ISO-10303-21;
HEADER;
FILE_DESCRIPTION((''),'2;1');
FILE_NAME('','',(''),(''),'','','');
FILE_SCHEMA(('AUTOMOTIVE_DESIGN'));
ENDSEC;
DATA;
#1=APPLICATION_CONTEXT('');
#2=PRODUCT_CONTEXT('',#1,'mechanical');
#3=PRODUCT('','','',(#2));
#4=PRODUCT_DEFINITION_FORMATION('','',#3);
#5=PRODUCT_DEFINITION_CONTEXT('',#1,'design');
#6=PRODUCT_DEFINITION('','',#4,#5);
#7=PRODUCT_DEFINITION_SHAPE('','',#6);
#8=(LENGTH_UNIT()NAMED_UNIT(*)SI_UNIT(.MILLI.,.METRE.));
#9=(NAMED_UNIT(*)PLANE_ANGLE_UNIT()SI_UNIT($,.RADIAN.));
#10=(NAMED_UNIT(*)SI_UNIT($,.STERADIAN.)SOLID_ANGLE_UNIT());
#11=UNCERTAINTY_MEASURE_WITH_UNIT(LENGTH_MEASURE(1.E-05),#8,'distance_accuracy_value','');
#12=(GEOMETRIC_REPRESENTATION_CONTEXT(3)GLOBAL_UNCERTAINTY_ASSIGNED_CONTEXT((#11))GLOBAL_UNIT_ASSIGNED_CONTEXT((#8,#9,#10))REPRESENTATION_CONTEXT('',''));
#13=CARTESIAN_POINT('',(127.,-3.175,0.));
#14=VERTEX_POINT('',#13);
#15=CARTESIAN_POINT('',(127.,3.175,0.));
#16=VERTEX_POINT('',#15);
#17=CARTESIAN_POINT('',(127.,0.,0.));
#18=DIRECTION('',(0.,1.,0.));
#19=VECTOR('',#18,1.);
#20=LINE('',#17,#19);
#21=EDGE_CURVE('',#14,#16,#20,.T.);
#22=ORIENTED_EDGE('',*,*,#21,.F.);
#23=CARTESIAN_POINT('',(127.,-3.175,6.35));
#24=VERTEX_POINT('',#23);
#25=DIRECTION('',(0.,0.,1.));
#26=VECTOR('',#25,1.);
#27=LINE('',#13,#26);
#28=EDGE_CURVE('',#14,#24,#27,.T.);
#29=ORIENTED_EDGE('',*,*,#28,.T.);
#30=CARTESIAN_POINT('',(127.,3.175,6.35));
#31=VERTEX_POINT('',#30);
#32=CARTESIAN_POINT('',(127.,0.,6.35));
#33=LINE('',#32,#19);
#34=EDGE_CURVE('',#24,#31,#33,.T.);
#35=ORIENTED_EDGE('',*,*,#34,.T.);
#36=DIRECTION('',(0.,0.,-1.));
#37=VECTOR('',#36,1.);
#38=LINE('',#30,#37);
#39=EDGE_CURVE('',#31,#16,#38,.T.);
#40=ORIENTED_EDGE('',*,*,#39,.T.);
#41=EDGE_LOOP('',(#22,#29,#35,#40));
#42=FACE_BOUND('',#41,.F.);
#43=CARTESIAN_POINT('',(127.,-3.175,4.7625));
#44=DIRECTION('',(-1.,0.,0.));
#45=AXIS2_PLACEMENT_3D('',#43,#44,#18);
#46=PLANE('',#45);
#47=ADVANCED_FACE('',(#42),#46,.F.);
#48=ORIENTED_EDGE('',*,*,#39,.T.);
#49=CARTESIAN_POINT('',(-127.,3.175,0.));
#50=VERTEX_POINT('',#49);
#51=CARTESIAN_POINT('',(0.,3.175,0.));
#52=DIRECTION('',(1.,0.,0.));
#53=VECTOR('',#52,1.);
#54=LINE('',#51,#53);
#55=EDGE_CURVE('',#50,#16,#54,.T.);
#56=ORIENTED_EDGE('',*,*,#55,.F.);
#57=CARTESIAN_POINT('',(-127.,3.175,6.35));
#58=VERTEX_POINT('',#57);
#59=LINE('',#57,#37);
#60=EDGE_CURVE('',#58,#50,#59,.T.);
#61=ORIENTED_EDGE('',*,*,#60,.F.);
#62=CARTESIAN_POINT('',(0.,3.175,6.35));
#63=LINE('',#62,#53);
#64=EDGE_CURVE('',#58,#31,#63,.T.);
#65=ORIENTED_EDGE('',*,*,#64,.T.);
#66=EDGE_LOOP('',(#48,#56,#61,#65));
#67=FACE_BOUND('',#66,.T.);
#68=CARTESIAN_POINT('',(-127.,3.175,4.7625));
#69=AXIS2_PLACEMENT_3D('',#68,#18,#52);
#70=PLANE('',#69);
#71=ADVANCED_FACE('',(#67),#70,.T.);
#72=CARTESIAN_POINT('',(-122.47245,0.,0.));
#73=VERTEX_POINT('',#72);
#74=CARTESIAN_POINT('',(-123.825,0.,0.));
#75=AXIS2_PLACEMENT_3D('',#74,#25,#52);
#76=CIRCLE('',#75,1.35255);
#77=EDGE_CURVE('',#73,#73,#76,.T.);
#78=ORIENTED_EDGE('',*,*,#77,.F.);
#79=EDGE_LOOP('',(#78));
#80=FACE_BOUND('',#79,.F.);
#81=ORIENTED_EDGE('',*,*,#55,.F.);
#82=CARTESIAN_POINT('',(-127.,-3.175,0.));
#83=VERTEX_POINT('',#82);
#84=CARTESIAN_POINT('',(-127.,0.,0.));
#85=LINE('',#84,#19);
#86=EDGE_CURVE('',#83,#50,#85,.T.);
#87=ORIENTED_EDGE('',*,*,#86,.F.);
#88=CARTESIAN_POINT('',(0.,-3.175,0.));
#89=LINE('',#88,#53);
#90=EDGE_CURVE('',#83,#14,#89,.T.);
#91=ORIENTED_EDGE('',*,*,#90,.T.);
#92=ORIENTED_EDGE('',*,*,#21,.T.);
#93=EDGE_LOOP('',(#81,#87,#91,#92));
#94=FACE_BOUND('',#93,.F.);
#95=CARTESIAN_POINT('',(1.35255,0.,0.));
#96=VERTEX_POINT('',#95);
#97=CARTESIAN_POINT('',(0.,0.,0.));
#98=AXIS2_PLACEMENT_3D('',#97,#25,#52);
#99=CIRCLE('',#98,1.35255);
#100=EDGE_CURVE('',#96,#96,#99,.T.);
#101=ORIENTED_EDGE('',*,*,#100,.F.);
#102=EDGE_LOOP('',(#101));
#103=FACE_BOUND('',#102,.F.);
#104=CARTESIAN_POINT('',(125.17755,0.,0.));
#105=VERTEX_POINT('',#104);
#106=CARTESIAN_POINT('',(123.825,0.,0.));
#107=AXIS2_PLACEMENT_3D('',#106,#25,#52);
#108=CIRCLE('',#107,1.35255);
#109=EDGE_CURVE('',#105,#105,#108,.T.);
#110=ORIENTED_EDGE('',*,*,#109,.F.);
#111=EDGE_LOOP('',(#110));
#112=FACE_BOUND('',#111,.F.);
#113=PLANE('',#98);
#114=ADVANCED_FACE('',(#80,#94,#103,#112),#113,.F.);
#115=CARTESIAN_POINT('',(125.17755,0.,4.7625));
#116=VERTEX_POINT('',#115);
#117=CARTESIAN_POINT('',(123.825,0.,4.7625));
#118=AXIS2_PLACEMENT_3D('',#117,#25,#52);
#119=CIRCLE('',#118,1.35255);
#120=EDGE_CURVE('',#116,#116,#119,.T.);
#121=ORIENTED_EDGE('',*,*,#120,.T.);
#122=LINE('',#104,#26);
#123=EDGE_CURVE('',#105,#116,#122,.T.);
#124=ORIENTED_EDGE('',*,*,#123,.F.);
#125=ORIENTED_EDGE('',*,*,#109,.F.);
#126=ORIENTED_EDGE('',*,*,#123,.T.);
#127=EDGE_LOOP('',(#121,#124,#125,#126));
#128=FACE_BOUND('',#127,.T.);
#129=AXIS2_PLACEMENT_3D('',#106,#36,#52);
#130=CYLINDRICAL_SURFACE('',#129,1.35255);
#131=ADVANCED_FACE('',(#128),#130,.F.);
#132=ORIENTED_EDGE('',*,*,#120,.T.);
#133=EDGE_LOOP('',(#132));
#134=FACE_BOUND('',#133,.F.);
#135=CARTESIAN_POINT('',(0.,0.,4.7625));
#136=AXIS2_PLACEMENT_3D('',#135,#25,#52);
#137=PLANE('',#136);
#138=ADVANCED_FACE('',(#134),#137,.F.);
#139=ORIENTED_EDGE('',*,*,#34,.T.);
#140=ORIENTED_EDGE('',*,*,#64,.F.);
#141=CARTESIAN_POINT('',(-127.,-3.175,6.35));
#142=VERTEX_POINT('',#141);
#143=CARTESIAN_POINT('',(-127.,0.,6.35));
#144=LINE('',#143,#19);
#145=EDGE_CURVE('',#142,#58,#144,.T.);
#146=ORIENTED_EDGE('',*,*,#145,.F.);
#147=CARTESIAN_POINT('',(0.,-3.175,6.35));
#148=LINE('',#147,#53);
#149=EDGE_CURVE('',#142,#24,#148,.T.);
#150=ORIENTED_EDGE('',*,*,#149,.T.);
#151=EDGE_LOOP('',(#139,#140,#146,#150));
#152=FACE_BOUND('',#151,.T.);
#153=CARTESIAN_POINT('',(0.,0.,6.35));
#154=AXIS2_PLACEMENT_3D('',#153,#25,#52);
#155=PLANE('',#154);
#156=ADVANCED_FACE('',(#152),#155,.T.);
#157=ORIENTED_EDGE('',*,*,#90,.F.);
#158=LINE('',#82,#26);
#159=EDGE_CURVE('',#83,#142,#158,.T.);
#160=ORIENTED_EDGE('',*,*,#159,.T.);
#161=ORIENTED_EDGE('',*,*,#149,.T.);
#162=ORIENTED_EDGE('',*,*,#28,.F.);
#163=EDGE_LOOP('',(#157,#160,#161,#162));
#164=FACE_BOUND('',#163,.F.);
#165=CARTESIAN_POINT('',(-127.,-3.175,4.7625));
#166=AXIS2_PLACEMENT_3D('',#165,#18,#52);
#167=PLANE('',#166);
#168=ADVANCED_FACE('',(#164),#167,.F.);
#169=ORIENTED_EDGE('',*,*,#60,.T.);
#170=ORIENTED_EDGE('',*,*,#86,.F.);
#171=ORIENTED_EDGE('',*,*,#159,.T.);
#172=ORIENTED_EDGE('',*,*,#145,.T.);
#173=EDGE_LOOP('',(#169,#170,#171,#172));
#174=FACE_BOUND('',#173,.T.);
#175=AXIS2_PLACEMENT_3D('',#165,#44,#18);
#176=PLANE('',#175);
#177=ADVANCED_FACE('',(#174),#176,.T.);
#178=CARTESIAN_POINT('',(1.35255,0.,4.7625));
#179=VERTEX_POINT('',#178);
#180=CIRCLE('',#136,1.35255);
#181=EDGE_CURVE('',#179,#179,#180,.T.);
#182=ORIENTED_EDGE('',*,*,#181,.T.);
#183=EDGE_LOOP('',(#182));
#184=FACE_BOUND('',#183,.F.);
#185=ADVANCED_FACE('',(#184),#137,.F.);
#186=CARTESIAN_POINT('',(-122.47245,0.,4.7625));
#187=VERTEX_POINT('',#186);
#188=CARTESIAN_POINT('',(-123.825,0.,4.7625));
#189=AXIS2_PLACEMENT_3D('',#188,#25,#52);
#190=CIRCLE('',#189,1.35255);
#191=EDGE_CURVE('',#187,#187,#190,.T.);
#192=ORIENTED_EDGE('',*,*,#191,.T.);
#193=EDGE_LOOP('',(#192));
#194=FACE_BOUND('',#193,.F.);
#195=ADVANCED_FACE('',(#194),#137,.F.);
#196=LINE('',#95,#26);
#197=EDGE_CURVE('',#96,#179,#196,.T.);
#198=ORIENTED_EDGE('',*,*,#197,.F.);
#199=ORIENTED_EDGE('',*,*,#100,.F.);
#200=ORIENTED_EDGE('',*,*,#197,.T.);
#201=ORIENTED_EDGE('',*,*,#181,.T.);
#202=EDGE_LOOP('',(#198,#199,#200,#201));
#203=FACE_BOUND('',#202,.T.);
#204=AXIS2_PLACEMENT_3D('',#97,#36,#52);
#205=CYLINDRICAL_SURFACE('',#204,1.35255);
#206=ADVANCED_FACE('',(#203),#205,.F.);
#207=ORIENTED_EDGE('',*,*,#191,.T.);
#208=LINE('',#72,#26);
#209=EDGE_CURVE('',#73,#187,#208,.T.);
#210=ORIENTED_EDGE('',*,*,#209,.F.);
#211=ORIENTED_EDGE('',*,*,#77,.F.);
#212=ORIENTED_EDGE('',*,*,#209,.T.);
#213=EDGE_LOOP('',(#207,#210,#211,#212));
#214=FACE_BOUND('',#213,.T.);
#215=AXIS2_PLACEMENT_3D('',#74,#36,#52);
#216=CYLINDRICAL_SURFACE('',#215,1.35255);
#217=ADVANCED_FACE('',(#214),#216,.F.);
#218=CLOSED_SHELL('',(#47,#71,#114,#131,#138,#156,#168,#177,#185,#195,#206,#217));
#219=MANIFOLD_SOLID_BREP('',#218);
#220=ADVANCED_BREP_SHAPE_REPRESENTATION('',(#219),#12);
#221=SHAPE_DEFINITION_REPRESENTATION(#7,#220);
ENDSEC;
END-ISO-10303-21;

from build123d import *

# Parameters (mm, degrees)
F0_W     = 254
F0_H     = 6.35
F0_R     = 1.35255
F1_DEPTH = 4.7625
F2_W     = 254
F2_H     = 6.35
F3_DEPTH = 1.5875


with BuildPart() as f1:
    # F0 (on Top) → F1 (new body)
    with BuildSketch(Plane.XY):
        Rectangle(F0_W, F0_H)
        with Locations((-123.825, 0)):
            Circle(F0_R, mode=Mode.SUBTRACT)
        Circle(F0_R, mode=Mode.SUBTRACT)
        with Locations((123.825, 0)):
            Circle(F0_R, mode=Mode.SUBTRACT)
    extrude(amount=F1_DEPTH)

    # F2 (on face) → F3 (join)
    with BuildSketch(Plane.XY.offset(4.7625)):
        Rectangle(F2_W, F2_H)
    extrude(amount=F3_DEPTH)


solid = f1.part
